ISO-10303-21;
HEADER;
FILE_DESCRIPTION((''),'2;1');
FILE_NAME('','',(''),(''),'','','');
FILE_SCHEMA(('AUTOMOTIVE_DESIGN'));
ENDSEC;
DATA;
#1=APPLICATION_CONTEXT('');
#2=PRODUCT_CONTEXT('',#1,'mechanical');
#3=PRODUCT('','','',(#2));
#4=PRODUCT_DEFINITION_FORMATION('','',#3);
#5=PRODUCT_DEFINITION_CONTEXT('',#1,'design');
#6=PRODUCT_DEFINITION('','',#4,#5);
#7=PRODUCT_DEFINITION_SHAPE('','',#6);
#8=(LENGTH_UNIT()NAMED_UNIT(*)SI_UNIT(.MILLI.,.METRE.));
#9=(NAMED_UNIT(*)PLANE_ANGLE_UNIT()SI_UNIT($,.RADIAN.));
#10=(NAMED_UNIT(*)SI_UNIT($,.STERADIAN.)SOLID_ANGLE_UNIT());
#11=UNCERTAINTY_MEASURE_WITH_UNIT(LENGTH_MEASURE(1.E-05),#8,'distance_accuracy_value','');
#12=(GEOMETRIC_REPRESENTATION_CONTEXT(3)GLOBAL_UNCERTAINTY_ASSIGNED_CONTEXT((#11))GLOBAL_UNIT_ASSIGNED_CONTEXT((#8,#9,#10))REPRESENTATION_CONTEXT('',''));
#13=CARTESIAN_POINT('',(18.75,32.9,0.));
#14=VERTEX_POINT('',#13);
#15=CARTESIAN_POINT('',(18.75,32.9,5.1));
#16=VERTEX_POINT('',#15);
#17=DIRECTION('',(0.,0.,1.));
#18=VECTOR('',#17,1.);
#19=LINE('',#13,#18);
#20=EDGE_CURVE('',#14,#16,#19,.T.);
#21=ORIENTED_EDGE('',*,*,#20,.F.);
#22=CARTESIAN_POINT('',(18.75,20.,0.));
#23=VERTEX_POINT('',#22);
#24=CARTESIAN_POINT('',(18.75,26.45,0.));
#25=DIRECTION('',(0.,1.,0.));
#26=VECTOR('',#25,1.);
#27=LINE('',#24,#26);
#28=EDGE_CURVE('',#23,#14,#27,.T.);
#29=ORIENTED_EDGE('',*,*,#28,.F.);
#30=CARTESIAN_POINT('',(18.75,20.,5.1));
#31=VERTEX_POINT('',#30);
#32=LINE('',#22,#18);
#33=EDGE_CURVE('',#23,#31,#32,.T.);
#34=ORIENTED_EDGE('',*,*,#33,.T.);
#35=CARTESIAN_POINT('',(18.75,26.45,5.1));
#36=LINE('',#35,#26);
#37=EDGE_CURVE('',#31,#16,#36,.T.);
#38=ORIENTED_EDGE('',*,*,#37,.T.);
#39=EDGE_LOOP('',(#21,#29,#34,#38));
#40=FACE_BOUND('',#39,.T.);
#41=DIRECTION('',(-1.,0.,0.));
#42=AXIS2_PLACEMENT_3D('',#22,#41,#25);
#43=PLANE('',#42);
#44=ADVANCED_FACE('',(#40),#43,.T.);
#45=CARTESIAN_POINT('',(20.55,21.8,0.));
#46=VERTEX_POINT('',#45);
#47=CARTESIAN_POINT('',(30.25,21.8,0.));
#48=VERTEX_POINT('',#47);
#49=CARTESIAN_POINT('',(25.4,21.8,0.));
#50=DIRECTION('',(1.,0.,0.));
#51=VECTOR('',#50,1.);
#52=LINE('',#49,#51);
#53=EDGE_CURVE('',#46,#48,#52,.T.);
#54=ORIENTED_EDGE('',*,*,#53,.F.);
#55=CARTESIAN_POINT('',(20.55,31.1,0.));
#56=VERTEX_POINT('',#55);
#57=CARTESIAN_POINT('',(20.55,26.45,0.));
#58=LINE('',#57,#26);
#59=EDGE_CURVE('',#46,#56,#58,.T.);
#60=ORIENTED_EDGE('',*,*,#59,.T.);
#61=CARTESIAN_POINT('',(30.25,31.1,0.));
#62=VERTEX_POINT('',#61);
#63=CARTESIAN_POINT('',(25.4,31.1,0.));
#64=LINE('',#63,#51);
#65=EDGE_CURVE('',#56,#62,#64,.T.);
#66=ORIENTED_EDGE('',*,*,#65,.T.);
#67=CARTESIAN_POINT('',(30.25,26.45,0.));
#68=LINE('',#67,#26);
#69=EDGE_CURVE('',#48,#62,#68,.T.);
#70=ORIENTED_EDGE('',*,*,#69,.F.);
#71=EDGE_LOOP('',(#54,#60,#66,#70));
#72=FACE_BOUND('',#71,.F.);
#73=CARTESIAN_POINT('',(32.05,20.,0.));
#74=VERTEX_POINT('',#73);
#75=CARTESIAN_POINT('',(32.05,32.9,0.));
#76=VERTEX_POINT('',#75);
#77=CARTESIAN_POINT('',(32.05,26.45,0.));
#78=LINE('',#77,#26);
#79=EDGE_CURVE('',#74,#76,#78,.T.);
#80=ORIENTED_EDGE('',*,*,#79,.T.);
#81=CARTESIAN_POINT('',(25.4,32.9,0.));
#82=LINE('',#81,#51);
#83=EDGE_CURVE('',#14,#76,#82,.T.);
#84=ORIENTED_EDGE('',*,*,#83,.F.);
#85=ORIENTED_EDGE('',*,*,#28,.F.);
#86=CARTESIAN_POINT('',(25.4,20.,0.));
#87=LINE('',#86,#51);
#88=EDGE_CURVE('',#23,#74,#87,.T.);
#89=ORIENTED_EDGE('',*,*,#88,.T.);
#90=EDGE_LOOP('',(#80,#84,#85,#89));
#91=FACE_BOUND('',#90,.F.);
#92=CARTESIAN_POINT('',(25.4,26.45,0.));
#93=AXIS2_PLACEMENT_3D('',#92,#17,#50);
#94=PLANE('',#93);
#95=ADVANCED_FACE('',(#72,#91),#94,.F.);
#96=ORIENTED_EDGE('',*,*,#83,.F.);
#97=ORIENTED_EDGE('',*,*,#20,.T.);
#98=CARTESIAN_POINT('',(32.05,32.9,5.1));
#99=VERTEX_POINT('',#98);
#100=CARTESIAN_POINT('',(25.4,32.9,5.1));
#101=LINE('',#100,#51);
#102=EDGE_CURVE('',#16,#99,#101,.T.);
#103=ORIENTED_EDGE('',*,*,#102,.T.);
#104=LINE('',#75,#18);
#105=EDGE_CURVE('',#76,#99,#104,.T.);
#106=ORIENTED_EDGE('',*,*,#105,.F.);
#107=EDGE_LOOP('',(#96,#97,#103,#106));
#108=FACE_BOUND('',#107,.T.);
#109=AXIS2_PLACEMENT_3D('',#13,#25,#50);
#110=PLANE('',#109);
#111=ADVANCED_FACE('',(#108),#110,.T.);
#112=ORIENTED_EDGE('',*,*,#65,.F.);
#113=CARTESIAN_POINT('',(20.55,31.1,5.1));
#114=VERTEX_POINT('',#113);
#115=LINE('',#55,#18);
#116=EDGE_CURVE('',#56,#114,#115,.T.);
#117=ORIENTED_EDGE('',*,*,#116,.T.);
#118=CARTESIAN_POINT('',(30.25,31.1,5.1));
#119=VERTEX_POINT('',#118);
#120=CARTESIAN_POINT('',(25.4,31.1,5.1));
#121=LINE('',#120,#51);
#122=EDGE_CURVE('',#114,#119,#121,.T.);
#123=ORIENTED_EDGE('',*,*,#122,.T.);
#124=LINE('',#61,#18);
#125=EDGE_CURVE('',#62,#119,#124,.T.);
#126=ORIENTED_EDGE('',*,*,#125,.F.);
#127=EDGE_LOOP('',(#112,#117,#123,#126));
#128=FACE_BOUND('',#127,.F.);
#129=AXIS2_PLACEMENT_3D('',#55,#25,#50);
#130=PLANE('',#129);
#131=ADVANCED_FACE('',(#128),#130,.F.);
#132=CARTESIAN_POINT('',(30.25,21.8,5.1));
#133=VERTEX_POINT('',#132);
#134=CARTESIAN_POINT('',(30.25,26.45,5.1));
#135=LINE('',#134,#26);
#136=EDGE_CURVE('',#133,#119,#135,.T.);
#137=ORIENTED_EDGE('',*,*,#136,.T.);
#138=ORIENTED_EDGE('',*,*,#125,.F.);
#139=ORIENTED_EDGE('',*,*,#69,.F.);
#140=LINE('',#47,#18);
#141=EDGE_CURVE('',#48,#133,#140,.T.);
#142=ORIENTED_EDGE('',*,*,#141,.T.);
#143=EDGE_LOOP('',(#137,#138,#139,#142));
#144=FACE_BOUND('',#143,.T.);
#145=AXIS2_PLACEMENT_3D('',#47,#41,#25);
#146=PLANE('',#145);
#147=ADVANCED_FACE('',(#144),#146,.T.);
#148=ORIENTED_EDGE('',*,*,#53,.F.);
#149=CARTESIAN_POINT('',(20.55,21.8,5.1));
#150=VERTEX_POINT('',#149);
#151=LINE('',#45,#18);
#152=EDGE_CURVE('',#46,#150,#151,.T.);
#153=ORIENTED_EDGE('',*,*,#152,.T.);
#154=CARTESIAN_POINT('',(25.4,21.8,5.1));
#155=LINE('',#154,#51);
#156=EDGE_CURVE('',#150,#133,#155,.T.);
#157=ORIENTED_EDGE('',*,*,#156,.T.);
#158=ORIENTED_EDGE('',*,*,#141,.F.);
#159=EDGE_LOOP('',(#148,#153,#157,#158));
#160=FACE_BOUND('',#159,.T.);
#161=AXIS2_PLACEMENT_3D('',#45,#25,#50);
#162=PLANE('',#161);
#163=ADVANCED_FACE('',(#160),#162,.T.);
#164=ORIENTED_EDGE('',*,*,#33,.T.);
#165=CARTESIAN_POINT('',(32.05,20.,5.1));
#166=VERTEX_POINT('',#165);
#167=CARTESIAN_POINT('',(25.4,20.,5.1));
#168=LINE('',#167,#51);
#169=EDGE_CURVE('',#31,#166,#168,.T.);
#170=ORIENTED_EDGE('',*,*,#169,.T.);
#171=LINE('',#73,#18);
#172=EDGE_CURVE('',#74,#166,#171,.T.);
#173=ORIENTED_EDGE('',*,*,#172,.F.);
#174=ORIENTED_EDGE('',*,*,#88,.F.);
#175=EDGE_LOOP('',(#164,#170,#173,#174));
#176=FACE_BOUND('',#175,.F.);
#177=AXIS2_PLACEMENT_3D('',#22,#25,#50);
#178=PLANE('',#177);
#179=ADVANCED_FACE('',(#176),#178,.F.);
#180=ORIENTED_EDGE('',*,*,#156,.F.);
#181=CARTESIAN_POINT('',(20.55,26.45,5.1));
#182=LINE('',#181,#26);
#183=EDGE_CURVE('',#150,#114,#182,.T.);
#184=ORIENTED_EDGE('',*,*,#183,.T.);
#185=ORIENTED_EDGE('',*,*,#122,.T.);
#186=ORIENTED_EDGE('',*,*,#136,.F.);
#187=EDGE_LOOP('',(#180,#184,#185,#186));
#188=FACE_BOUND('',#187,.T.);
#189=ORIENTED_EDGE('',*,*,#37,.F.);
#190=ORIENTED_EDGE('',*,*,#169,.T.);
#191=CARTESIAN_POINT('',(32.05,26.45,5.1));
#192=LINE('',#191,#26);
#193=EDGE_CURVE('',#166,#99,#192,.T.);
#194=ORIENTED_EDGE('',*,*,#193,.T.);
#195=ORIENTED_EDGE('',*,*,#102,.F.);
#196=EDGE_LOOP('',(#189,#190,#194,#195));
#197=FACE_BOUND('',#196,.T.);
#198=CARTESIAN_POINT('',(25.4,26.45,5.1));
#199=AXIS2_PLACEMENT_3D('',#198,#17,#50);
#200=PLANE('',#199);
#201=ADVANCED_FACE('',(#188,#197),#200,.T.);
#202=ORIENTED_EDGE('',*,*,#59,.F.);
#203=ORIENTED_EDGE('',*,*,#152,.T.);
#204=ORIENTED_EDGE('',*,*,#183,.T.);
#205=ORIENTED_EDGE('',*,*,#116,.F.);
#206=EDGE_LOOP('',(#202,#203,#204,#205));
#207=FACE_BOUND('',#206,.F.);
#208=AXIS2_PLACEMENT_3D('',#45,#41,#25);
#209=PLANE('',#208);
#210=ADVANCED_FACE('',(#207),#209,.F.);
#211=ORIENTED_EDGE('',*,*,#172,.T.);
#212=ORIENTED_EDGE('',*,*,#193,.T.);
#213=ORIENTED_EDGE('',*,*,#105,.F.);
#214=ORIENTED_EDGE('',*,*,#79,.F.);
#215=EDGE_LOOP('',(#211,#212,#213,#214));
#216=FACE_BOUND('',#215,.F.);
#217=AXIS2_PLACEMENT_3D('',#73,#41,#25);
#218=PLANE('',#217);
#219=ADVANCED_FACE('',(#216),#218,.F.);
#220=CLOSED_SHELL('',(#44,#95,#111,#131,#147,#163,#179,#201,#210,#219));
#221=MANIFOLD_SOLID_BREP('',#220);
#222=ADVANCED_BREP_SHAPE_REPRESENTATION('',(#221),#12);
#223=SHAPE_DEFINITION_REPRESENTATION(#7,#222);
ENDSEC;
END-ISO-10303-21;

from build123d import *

# Parameters (mm, degrees)
BOX004_W     = 9.7
BOX004_H     = 9.3
BOX004_DEPTH = 5.1
BOX005_W     = 13.3
BOX005_H     = 12.9
BOX005_DEPTH = 5.1


with BuildPart() as cube004:
    # Box004 → Box004 (new body)
    with BuildSketch(Plane(origin=(1.8, 1.8, 0), x_dir=(1, 0, 0), z_dir=(0, 0, 1))):
        with Locations((4.85, 4.65)):
            Rectangle(BOX004_W, BOX004_H)
    extrude(amount=BOX004_DEPTH)


with BuildPart() as cut001:
    # Box005 → Box005 (new body)
    with BuildSketch(Plane.XY):
        with Locations((6.65, 6.45)):
            Rectangle(BOX005_W, BOX005_H)
    extrude(amount=BOX005_DEPTH)

    # Cut001: cut Cube004
    add(cube004.part, mode=Mode.SUBTRACT)


with BuildPart() as cut001_1:
    # Cut001 placement: moved
    add(cut001.part.moved(Location((18.75, 20, 0))))


solid = cut001_1.part
